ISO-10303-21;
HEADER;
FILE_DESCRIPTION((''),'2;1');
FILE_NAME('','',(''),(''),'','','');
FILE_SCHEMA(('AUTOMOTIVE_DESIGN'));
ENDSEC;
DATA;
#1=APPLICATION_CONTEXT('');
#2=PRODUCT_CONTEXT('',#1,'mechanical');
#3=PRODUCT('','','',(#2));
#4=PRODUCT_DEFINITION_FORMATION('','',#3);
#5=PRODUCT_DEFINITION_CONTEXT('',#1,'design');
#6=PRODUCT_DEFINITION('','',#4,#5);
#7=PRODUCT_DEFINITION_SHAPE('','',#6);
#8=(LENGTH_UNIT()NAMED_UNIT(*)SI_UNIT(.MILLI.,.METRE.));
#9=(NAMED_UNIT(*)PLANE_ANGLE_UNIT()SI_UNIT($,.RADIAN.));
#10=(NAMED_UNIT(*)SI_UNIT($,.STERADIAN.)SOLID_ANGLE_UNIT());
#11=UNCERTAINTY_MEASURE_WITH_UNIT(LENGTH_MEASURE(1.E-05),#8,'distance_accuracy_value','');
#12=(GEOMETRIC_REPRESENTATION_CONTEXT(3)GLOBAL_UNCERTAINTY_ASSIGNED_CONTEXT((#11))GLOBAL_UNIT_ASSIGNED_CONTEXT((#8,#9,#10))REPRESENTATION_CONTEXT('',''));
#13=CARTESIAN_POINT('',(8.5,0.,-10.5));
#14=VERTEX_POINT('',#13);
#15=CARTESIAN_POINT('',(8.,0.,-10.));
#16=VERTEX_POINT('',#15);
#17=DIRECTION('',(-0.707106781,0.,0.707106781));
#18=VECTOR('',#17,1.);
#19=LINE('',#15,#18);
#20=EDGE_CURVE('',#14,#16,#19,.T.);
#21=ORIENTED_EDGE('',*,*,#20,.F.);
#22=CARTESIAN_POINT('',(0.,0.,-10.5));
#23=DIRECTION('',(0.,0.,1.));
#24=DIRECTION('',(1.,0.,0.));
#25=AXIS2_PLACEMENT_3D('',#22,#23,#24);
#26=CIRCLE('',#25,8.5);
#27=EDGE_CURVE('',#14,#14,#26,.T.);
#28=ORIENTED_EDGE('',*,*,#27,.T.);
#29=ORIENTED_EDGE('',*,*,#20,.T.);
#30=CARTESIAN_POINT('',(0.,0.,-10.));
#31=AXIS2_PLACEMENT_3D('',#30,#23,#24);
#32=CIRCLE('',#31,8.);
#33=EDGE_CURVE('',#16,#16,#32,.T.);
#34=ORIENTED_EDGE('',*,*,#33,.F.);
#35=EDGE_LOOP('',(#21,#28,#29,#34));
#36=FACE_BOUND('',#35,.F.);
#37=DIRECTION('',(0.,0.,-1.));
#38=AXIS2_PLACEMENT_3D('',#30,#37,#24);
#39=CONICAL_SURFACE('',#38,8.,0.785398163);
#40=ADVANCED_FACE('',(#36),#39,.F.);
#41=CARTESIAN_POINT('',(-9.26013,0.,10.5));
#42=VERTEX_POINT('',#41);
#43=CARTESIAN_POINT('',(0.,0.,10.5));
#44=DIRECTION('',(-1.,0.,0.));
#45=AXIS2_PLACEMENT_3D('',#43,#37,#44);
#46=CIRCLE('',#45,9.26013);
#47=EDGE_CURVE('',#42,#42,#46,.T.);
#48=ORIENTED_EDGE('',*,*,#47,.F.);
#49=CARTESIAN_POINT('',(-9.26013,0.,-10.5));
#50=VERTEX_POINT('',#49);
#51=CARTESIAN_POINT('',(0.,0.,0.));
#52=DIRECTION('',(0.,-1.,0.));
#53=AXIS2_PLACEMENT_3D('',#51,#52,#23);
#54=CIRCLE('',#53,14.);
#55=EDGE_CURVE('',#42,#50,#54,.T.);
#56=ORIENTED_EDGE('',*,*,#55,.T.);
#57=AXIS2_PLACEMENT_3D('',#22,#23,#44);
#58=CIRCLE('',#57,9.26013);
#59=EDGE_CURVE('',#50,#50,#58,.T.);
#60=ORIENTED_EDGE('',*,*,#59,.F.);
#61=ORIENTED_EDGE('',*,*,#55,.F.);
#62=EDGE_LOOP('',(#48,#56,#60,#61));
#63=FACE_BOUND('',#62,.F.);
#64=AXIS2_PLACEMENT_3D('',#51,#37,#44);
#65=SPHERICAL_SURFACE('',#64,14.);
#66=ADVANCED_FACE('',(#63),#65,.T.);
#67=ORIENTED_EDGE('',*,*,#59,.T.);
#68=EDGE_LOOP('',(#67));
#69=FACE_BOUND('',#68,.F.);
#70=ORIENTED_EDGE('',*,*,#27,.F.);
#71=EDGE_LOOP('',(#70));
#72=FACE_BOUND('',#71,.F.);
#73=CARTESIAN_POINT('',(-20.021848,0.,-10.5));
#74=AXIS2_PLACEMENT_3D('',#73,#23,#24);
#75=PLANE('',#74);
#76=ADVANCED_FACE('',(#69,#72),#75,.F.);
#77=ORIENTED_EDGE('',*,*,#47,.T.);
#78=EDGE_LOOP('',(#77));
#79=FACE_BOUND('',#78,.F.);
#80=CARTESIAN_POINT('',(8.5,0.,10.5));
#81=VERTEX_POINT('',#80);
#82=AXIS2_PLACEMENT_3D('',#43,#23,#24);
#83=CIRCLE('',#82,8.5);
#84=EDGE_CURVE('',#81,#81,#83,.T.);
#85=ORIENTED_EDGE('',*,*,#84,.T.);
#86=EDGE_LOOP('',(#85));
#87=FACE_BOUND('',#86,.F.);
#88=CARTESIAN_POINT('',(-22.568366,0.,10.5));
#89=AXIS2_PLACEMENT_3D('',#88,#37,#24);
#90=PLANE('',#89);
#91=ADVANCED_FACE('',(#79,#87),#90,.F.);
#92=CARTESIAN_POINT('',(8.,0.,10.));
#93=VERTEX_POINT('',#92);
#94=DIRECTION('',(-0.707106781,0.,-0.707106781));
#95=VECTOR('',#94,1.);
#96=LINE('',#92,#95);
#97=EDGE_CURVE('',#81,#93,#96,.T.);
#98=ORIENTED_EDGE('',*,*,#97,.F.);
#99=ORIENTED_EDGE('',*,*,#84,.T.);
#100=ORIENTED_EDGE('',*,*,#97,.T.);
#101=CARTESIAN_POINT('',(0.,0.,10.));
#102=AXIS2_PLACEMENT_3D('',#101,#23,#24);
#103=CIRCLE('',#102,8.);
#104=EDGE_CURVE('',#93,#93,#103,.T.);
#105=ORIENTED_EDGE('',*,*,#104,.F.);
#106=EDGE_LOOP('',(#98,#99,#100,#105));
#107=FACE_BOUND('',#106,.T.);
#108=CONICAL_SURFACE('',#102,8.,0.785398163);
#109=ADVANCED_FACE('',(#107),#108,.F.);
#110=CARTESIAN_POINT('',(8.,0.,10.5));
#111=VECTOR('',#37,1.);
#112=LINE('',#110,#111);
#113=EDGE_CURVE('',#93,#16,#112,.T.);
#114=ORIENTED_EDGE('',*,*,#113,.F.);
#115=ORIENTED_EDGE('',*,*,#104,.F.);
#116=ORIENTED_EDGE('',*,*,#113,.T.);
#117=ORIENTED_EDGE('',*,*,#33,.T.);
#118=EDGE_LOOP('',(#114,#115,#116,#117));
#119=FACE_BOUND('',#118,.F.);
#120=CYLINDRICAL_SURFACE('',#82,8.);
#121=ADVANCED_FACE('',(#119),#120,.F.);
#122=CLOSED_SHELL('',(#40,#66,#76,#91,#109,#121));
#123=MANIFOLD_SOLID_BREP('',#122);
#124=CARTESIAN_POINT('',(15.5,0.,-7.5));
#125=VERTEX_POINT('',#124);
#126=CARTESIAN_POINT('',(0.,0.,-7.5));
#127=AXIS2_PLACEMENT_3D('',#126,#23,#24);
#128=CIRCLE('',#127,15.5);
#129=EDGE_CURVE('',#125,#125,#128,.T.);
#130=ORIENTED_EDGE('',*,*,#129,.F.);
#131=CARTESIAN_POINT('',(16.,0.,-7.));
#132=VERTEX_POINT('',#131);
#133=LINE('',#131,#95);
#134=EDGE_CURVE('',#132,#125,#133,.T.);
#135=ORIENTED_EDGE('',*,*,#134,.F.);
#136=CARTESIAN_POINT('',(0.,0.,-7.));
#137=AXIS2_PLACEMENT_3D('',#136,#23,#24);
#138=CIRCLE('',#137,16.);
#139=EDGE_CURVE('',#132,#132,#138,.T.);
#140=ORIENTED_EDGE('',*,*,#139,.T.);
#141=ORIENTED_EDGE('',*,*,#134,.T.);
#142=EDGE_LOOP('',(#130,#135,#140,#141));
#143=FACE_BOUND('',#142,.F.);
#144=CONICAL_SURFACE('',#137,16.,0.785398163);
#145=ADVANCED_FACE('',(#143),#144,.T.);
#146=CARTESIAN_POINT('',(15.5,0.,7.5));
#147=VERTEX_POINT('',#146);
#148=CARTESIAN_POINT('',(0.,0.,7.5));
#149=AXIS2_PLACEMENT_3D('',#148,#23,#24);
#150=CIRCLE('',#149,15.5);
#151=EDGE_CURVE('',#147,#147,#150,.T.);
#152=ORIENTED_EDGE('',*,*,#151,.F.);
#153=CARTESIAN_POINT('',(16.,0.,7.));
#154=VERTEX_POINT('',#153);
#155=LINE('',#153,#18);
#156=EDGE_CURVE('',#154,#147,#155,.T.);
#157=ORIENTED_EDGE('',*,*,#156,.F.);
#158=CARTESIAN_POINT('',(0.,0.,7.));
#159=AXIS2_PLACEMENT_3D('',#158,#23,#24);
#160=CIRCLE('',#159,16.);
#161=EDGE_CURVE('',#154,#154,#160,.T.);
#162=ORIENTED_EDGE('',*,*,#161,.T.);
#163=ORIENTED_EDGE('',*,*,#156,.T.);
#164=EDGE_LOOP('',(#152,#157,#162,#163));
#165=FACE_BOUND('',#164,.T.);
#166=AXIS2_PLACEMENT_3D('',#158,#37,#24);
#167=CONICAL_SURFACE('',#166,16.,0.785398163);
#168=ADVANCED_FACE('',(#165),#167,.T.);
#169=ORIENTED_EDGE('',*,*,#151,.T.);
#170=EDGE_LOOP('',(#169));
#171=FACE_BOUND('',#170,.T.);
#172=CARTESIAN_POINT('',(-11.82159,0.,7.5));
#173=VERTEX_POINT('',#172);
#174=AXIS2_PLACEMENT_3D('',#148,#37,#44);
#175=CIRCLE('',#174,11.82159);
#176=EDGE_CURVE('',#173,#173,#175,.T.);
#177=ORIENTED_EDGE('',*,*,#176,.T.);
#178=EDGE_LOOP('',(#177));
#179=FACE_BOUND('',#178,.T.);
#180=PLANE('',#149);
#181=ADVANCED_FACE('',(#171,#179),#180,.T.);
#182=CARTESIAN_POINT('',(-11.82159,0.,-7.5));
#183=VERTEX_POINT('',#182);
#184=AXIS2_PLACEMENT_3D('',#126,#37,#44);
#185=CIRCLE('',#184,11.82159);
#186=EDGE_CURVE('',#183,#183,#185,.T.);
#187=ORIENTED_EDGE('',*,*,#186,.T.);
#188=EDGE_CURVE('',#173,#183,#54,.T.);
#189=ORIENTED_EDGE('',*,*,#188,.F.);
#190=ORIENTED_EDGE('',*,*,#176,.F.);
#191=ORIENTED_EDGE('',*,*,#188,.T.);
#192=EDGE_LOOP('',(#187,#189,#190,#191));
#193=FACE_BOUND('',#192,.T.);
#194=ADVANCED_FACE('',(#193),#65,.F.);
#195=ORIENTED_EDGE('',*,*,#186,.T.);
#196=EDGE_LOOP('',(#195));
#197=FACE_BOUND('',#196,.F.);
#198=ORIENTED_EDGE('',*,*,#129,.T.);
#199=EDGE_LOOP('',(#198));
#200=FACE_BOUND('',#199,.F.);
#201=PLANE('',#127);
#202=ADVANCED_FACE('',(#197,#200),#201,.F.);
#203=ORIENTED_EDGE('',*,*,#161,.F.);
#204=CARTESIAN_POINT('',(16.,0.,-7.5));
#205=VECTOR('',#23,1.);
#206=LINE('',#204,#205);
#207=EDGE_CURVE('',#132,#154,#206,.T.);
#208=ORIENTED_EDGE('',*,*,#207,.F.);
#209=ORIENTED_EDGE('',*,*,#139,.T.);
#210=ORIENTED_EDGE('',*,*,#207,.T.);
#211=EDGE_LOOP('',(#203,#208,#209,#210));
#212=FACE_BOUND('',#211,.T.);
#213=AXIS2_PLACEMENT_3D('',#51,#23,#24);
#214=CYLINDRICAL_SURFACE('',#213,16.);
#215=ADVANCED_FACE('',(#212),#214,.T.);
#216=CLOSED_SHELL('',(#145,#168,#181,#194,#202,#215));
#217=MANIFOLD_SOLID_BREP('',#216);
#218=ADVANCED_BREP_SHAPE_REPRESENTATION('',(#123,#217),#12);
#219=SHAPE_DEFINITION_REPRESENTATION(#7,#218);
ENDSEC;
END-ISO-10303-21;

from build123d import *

# Parameters (mm, degrees)
F0_R          = 16
F1_DEPTH      = 7.5
F5_W          = 45.1367325801
F5_H          = 20.4906001854
F5_W_2        = 40.0436969702
F5_H_2        = 11.4889506178
F6_DEPTH      = 16.001
F6_DEPTH_BACK = 16.001
F7_R          = 8
F8_DEPTH      = 21.001
F9_SIZE       = 0.5
F9_2_SIZE     = 0.5


with BuildPart() as f1:
    # F0 (on Top) → F1 (new body, symmetric)
    with BuildSketch(Plane.XY):
        Circle(F0_R)
    extrude(amount=F1_DEPTH, both=True)

    # F2 (on Front) → F3 (revolve, cut)
    with BuildSketch(Plane.XZ):
        with BuildLine():
            Line((0, -14), (0, 14))
            ThreePointArc((0, 14), (-14, 0), (0, -14))
        make_face()
    revolve(axis=Axis((0, 0, -0.4253866008), (0, 0, 1)), mode=Mode.SUBTRACT)

    # F9#2
    f9_2_edges = [f1.edges().sort_by_distance(p)[0] for p in [
        (-16, 0, -7.5),
        (16, 0, 0),
        (-16, 0, 7.5),
    ]]
    chamfer(f9_2_edges, length=F9_2_SIZE)


with BuildPart() as f4:
    # F2 (on Front) → F4 (revolve)
    with BuildSketch(Plane.XZ):
        with BuildLine():
            Line((0, -14), (0, 14))
            ThreePointArc((0, 14), (-14, 0), (0, -14))
        make_face()
    revolve(axis=Axis((0, 0, -0.4253866008), (0, 0, 1)))

    # F5 (on Front) → F6 (cut, two sides)
    with BuildSketch(Plane.XZ) as f6_sk:
        with Locations((0, 20.7453000927)):
            Rectangle(F5_W, F5_H)
        with Locations((0, -16.2444753089)):
            Rectangle(F5_W_2, F5_H_2)
    extrude(amount=-F6_DEPTH, mode=Mode.SUBTRACT)
    extrude(f6_sk.sketch, amount=F6_DEPTH_BACK, mode=Mode.SUBTRACT)

    # F7 (on face) → F8 (cut, through all)
    with BuildSketch(Plane.XY.offset(10.5)):
        Circle(F7_R)
    extrude(amount=-F8_DEPTH, mode=Mode.SUBTRACT)

    # F9
    f9_edges = [f4.edges().sort_by_distance(p)[0] for p in [
        (-8, 0, 10.5),
        (8, 0, 0),
        (-8, 0, -10.5),
    ]]
    chamfer(f9_edges, length=F9_SIZE)


solid = Compound([f1.part, f4.part])
